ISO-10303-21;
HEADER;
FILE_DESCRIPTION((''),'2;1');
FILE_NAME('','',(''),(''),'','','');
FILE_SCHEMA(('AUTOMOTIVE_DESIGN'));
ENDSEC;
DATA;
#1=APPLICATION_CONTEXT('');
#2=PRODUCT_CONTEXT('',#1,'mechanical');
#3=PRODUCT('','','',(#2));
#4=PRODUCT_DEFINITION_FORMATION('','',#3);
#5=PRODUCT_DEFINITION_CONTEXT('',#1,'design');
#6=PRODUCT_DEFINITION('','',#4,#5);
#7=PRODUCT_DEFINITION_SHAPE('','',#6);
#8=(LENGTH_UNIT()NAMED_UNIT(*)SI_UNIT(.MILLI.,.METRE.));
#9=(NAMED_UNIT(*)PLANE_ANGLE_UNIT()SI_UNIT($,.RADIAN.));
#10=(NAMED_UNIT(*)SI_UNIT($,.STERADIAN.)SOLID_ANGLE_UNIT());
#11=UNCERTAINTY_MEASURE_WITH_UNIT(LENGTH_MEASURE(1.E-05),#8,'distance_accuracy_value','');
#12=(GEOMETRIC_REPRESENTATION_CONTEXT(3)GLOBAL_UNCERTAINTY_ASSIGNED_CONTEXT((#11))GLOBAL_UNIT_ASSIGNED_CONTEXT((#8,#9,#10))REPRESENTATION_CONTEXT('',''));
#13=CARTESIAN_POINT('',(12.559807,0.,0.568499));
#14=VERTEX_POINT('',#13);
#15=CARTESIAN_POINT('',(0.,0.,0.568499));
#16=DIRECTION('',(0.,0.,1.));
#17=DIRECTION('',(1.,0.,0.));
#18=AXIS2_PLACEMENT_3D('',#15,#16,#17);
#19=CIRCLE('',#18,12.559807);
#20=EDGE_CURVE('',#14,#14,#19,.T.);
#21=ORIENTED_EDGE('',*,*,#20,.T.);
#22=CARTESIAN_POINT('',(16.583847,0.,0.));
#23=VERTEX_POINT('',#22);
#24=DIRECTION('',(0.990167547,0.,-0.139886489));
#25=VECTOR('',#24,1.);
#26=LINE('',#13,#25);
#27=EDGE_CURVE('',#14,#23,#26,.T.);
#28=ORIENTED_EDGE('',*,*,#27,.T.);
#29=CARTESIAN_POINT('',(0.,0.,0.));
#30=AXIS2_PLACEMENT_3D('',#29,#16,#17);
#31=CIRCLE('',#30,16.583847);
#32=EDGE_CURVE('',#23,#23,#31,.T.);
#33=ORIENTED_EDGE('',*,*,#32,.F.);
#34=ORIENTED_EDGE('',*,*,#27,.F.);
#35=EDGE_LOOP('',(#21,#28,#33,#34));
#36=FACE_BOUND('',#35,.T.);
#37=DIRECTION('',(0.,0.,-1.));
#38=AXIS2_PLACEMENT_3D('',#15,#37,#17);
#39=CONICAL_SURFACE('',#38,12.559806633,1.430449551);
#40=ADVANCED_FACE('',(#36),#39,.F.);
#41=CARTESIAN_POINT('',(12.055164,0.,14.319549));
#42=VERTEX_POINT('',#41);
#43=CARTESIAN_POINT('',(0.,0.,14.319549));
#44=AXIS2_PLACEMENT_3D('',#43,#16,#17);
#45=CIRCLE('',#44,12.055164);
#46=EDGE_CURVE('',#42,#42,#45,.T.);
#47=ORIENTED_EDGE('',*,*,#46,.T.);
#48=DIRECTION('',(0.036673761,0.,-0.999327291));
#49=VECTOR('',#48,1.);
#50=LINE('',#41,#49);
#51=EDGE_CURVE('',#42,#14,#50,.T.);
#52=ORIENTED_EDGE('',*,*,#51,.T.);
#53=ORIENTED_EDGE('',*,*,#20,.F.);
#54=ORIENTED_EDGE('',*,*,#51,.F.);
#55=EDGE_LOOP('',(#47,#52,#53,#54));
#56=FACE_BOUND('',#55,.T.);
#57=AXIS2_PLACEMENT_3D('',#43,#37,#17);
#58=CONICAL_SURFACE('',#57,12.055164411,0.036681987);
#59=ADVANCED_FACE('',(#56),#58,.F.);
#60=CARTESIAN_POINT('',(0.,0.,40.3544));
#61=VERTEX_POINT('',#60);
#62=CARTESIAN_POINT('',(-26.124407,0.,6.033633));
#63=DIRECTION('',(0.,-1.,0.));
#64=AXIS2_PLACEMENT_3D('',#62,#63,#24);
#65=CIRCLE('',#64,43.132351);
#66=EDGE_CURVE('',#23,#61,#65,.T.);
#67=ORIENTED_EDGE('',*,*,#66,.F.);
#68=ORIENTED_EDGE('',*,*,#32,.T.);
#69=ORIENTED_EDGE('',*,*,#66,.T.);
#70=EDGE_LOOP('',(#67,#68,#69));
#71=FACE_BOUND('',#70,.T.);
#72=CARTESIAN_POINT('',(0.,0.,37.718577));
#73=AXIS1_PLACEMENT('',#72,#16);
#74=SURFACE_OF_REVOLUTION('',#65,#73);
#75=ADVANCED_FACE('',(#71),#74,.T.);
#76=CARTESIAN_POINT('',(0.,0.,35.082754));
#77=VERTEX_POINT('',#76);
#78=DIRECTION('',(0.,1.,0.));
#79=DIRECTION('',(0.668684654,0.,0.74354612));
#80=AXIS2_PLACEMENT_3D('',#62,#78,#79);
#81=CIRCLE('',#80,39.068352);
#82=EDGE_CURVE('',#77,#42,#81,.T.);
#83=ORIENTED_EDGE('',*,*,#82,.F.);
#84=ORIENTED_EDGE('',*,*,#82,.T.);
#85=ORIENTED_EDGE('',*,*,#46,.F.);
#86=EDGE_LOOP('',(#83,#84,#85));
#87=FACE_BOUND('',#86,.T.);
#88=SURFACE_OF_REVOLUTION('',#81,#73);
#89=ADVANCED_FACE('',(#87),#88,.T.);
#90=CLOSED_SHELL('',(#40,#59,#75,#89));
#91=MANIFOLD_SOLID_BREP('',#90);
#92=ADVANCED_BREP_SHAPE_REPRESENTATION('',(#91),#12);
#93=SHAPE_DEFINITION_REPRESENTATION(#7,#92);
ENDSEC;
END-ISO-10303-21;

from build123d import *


with BuildPart() as f1:
    # F0 (on Front) → F1 (revolve)
    with BuildSketch(Plane.XZ):
        with BuildLine():
            Line((0, 40.35440003), (0, 35.082754308))
            ThreePointArc((0, 35.082754308), (7.6621003686, 25.6501567872), (12.0551644115, 14.3195492853))
            Line((12.0551644115, 14.3195492853), (12.5598066335, 0.5684985976))
            Line((12.5598066335, 0.5684985976), (16.583846882, 0))
            ThreePointArc((16.583846882, 0), (13.7704949306, 22.4286469613), (0, 40.35440003))
        make_face()
    revolve(axis=Axis((0, 0, 37.718577169), (0, 0, 1)))


solid = f1.part
